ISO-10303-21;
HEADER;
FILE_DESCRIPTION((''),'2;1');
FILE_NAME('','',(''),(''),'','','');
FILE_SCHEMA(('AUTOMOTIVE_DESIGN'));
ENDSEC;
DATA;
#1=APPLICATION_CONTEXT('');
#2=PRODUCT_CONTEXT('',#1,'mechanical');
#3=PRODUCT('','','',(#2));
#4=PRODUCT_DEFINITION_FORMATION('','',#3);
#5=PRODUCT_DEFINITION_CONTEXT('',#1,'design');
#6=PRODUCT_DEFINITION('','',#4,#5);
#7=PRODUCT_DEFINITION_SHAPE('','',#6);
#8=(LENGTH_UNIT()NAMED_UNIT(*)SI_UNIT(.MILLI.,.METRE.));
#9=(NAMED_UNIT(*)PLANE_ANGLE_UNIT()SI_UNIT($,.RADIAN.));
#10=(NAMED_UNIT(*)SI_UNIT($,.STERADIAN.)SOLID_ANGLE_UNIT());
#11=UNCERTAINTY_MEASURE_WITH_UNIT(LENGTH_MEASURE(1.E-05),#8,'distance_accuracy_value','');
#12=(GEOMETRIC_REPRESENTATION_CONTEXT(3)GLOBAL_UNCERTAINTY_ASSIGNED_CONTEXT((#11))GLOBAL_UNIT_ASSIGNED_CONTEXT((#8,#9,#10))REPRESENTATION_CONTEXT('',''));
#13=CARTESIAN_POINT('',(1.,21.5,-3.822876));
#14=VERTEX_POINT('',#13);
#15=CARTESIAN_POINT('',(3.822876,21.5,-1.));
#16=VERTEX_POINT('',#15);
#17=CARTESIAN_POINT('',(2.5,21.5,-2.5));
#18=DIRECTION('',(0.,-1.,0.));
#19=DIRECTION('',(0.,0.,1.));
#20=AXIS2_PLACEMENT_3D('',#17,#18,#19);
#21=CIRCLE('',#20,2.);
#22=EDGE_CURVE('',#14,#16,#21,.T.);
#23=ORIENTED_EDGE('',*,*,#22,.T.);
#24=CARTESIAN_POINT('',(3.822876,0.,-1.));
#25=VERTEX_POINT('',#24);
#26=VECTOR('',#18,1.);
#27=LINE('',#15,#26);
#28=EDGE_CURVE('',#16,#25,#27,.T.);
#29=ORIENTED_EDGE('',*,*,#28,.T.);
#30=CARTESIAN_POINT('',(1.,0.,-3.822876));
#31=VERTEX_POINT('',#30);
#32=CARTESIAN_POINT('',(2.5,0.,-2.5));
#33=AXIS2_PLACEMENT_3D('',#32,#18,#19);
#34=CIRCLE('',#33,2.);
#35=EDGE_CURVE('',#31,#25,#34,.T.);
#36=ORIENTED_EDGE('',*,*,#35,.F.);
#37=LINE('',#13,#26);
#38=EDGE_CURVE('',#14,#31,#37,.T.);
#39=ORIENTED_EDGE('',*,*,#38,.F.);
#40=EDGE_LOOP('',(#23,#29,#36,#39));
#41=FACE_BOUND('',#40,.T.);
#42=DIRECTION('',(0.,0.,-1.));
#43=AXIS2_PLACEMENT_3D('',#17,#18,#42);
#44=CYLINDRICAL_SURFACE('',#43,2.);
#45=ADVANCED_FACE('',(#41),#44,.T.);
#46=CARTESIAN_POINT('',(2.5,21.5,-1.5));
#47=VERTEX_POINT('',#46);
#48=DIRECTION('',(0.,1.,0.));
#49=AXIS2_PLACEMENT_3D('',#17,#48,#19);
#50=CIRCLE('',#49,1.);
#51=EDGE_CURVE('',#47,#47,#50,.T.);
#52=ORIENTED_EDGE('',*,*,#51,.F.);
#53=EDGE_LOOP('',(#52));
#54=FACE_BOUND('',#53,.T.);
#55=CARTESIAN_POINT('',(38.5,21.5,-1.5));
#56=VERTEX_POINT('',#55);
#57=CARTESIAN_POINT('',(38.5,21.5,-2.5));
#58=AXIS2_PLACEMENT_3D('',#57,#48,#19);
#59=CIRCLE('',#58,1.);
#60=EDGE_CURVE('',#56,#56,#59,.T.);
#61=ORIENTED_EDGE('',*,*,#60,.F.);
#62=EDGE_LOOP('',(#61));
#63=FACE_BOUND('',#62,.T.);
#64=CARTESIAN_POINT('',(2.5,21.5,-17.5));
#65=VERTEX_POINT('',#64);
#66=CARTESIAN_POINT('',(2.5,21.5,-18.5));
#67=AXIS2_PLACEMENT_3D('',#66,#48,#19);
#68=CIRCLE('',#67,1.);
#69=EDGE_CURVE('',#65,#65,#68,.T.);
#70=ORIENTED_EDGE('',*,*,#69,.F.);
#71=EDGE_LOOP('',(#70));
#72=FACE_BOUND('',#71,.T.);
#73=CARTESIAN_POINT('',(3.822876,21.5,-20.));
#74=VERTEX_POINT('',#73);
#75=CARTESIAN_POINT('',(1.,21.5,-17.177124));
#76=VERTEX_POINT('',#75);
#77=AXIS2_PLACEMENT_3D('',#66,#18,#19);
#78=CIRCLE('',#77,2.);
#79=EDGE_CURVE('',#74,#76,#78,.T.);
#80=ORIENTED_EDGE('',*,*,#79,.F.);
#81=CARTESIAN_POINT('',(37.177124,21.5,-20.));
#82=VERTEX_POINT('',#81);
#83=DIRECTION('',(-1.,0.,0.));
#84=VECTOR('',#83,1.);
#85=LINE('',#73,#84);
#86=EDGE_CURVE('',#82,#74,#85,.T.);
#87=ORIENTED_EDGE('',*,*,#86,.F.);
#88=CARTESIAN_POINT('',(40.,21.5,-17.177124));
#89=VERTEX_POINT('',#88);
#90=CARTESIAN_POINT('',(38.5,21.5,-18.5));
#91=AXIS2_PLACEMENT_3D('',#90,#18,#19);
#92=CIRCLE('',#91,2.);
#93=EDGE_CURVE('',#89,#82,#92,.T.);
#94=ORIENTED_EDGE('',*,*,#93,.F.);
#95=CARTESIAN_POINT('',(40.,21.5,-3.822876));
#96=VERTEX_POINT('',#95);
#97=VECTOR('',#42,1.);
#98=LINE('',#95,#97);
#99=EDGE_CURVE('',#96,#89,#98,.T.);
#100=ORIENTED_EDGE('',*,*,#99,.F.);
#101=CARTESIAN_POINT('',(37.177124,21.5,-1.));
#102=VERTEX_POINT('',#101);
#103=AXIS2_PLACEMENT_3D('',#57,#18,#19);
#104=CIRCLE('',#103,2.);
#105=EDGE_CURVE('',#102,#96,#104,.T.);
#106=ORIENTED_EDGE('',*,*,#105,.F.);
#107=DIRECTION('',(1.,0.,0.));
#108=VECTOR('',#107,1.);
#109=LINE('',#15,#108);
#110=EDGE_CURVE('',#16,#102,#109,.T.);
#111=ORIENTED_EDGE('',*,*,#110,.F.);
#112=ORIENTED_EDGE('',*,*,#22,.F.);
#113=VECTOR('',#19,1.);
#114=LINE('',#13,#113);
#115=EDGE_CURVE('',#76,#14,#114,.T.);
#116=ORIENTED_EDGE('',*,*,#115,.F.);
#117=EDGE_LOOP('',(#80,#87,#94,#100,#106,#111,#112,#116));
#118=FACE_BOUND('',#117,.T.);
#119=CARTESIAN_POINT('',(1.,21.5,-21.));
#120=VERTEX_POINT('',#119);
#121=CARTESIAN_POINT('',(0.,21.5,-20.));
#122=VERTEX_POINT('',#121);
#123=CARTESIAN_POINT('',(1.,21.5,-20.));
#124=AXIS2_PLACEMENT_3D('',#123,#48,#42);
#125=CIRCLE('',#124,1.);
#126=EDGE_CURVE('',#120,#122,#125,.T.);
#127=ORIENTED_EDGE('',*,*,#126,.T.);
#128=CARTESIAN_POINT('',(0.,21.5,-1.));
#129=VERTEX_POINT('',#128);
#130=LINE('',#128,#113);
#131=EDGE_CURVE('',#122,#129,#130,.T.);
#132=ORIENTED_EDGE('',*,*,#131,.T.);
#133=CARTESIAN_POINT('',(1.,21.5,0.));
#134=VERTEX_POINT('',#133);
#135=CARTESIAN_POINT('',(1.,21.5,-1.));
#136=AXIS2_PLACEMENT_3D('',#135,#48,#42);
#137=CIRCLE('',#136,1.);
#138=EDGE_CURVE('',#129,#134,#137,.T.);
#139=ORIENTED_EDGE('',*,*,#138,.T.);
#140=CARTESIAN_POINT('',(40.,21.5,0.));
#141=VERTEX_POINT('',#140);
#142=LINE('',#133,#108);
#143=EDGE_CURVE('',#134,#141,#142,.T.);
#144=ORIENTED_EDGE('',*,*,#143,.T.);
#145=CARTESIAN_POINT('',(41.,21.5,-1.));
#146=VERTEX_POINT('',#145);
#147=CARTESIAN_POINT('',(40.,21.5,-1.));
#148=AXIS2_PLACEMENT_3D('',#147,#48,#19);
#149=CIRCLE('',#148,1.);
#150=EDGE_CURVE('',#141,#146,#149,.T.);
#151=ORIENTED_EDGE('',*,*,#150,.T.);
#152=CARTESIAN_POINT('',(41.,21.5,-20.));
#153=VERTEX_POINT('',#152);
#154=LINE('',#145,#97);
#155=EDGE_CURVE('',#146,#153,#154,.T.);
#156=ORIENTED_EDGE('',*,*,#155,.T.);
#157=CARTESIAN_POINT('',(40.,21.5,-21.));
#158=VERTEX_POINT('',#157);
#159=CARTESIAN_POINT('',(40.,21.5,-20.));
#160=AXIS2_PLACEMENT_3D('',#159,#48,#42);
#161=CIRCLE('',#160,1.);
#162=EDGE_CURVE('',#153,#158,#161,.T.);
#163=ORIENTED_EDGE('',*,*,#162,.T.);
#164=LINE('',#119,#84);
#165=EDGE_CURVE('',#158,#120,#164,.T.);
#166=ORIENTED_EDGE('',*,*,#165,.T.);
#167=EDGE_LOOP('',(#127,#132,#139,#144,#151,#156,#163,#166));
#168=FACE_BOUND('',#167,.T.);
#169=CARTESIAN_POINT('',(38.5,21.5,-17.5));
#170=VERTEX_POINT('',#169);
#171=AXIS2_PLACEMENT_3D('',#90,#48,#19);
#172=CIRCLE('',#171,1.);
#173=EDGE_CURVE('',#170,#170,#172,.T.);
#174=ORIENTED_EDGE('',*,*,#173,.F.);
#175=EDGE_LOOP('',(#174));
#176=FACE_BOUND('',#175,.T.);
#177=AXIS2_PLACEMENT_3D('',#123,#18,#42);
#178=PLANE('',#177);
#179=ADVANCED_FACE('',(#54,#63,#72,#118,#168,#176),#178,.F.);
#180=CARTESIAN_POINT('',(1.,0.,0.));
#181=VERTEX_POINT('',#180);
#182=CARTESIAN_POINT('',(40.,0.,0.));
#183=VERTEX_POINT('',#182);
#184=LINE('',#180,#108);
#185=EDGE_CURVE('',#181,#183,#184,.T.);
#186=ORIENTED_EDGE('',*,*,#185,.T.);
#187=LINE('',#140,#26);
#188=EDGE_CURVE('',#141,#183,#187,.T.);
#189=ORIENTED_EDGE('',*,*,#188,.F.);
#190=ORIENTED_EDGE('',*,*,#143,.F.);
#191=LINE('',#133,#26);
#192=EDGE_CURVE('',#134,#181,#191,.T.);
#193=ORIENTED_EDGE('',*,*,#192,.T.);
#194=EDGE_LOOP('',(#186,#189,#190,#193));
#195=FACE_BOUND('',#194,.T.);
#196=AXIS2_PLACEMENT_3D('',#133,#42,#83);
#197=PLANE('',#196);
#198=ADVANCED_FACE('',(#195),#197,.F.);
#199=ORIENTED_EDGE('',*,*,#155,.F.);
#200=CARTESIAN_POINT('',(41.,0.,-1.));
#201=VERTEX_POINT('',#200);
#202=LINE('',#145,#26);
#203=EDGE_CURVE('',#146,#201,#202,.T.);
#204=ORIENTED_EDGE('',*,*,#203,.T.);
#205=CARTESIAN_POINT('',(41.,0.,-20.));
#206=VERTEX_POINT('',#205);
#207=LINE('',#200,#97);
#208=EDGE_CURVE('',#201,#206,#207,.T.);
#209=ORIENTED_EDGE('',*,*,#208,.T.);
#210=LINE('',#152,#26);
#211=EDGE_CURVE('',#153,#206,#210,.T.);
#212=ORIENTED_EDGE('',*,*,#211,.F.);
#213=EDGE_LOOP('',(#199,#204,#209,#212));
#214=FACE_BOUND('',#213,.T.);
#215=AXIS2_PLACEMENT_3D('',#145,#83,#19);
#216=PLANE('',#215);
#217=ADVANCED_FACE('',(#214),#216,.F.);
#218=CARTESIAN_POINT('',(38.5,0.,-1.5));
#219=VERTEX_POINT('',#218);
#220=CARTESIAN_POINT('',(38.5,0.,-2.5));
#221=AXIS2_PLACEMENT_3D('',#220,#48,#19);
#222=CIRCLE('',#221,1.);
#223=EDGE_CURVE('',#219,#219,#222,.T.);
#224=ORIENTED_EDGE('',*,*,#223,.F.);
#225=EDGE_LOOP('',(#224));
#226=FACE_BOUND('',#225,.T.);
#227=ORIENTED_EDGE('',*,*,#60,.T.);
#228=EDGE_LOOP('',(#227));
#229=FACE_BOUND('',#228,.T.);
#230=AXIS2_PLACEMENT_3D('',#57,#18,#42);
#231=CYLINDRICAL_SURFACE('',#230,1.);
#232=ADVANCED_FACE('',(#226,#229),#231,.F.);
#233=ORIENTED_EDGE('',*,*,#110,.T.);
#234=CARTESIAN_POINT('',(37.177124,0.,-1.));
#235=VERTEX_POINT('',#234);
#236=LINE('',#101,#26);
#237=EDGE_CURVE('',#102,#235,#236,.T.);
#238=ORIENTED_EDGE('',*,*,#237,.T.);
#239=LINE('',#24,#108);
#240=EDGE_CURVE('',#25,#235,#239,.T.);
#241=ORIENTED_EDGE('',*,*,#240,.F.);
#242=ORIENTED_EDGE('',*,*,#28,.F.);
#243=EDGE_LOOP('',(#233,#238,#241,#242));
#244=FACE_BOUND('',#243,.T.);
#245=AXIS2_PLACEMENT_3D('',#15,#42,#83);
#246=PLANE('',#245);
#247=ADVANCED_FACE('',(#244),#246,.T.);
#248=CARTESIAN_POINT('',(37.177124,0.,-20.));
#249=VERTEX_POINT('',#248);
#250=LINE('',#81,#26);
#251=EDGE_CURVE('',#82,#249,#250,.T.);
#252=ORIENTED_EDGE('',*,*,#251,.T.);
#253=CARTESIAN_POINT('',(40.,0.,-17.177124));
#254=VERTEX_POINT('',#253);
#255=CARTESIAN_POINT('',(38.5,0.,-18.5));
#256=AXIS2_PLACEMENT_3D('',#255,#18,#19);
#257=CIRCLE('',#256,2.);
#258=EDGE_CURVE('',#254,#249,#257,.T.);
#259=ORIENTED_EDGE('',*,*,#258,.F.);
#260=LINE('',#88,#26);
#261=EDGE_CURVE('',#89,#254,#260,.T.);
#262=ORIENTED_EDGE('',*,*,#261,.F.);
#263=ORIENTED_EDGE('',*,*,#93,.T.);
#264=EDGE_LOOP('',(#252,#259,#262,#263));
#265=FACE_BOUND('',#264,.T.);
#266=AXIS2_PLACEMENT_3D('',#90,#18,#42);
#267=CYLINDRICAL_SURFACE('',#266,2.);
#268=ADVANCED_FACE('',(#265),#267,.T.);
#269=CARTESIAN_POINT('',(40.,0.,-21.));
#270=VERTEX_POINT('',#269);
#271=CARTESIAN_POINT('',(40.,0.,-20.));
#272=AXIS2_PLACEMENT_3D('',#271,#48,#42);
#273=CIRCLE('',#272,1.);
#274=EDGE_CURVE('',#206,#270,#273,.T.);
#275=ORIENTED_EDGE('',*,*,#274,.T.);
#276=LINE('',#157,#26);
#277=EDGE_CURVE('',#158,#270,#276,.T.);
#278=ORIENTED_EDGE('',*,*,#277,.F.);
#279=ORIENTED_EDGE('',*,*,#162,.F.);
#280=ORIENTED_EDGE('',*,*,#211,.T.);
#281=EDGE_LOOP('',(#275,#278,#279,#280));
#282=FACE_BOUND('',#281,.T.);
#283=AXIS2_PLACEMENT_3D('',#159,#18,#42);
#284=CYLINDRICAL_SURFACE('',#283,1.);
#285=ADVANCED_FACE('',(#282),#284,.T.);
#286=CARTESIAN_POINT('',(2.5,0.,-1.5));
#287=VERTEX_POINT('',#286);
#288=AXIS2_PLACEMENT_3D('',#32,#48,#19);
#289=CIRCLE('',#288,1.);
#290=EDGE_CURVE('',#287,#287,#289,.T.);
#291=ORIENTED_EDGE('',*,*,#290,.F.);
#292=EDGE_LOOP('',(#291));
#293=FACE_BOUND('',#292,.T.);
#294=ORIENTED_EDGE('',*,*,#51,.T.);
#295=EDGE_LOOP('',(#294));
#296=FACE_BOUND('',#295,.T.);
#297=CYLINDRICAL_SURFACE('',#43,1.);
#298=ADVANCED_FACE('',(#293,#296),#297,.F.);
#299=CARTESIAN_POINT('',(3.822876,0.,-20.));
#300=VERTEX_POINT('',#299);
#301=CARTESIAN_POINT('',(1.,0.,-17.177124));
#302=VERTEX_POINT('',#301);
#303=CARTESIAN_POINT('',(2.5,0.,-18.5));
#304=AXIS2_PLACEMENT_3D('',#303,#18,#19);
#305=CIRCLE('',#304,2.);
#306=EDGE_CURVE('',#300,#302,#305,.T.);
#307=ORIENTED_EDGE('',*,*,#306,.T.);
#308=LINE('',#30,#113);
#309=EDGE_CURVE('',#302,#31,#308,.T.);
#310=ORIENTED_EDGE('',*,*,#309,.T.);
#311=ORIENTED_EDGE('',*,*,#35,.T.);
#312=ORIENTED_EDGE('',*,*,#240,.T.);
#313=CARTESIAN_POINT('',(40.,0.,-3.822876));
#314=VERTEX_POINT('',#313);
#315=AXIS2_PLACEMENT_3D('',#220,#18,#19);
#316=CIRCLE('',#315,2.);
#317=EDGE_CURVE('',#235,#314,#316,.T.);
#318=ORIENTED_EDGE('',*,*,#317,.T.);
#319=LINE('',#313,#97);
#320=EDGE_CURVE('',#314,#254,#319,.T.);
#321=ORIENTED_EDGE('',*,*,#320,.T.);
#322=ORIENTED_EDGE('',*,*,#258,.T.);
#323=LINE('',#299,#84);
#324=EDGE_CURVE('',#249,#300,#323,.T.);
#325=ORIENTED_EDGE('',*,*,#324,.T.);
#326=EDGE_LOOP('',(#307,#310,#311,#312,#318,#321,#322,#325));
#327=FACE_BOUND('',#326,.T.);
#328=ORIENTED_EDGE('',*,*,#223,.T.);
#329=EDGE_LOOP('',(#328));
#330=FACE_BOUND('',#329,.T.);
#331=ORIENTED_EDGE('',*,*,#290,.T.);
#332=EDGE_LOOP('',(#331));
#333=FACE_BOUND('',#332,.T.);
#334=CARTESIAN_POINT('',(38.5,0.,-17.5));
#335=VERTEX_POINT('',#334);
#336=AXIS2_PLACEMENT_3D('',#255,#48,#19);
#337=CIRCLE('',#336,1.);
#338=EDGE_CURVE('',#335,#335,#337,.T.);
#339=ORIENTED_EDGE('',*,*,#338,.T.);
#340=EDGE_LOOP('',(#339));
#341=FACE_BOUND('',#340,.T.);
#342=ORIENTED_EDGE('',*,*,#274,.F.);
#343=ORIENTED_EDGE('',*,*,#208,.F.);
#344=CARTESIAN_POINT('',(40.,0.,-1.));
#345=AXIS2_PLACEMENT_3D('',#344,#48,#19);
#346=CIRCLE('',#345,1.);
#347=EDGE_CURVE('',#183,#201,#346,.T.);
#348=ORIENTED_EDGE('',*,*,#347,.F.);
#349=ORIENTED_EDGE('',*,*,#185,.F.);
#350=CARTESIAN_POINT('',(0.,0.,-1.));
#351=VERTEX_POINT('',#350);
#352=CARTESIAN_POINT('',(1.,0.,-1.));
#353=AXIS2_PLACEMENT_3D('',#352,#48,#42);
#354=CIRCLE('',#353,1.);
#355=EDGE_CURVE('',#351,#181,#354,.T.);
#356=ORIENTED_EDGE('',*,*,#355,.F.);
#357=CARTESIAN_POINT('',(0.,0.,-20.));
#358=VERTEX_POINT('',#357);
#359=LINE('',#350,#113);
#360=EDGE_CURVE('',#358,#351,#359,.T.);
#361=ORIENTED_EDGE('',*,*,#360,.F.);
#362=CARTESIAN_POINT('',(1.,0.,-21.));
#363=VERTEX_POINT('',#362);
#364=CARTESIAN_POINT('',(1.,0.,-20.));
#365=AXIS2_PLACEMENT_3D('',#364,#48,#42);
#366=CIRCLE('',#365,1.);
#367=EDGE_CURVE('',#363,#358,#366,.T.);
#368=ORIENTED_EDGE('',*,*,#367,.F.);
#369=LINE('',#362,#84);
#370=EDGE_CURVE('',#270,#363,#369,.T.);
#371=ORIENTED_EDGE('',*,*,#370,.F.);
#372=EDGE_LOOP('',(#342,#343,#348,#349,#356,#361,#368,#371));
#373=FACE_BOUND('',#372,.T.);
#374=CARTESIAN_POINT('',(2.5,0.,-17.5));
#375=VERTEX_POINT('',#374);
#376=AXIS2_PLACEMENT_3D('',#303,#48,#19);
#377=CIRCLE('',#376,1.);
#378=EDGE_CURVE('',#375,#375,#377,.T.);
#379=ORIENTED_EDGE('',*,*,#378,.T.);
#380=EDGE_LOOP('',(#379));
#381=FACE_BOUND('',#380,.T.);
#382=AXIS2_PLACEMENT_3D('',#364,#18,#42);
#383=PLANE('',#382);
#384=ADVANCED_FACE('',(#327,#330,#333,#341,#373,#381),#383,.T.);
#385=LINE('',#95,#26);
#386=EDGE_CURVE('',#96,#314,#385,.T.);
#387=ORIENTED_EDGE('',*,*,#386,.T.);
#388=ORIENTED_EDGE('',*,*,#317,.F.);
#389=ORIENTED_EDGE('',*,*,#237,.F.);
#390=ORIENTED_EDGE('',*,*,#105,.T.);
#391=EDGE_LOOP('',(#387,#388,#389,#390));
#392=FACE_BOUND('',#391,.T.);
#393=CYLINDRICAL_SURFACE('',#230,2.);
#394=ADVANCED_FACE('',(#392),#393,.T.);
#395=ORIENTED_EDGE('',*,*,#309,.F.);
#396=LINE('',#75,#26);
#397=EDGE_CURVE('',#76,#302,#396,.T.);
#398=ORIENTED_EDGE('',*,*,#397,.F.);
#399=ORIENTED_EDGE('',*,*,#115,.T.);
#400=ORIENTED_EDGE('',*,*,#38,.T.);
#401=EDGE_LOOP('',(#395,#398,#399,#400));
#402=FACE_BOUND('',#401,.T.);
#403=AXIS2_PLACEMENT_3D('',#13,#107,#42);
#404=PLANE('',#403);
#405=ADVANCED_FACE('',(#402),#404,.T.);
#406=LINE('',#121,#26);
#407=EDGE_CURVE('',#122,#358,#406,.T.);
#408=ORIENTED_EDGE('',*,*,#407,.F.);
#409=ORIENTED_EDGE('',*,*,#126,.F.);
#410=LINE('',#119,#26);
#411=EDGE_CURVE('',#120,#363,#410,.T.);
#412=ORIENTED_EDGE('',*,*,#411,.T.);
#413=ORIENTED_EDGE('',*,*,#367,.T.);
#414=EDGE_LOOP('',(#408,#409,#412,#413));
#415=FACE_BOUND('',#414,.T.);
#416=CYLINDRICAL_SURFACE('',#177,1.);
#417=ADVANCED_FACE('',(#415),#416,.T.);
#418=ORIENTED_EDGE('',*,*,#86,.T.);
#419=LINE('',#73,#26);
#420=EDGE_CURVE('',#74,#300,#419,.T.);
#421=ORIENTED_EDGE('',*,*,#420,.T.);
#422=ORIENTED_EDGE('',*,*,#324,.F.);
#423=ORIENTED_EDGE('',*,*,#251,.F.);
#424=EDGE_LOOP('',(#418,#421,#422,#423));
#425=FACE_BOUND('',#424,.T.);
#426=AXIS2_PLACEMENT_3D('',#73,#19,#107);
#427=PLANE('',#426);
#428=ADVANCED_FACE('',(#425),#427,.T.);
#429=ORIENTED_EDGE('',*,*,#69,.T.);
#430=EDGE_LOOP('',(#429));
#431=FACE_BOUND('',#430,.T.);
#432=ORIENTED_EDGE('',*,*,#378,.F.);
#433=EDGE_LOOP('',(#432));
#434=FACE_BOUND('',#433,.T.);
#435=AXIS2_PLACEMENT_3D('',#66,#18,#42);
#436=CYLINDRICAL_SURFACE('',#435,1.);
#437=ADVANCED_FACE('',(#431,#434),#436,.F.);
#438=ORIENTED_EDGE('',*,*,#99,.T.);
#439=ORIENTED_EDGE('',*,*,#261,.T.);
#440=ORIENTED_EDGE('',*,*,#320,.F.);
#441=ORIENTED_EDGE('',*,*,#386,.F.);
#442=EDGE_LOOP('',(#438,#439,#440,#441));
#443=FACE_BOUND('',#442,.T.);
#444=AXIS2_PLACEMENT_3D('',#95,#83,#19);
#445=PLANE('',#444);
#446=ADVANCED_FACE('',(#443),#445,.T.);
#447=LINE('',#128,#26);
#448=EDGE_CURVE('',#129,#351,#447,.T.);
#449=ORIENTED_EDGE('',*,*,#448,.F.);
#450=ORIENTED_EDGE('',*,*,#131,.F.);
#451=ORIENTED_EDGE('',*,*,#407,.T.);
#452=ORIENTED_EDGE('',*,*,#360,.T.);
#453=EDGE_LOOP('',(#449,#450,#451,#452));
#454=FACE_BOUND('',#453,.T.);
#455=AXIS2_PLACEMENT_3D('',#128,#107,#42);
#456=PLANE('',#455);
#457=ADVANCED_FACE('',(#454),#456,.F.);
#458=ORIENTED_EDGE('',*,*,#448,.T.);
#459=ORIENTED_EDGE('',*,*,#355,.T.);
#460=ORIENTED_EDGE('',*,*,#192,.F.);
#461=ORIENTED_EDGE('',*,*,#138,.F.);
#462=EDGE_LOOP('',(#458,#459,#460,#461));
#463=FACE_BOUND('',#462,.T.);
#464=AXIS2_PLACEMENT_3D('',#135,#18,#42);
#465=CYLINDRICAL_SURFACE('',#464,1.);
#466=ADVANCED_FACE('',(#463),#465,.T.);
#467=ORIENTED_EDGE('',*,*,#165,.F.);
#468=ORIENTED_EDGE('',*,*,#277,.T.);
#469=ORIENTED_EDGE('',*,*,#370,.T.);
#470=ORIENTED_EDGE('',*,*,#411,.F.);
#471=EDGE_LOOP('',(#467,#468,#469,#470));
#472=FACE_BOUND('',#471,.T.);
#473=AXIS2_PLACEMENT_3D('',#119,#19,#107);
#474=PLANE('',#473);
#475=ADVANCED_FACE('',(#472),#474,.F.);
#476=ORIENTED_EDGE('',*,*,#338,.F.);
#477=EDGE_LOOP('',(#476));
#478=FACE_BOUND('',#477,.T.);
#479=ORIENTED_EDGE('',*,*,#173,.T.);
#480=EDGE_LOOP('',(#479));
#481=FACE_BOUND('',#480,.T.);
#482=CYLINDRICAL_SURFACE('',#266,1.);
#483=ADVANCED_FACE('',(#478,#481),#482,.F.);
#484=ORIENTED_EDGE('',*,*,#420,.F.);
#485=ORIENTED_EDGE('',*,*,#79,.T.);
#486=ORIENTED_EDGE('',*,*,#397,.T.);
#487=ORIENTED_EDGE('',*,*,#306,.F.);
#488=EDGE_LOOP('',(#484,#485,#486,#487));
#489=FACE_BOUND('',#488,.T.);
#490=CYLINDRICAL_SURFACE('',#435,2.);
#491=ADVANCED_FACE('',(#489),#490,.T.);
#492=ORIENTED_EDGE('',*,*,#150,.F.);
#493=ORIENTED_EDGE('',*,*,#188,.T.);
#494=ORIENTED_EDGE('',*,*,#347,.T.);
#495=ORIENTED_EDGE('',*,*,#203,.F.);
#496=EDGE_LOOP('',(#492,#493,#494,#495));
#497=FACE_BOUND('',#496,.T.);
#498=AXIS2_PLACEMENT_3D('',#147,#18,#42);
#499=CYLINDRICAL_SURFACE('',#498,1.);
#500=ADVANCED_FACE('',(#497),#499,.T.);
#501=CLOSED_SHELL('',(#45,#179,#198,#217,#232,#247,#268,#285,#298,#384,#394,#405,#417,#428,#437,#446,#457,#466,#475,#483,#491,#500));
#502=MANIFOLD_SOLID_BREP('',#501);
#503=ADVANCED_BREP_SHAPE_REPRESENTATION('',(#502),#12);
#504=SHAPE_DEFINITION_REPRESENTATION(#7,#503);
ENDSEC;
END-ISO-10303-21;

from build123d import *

# Parameters (mm, degrees)
ESQUISSE1_R        = 1
BOSS_EXTRU_1_DEPTH = 21.5


with BuildPart() as part:
    # Esquisse1 → Boss.-Extru.1 (new body)
    with BuildSketch(Plane(origin=(0, 0, 0), x_dir=(1, 0, 0), z_dir=(0, 1, 0))):
        with BuildLine():
            Line((1, 0), (40, 0))
            ThreePointArc((40, 0), (40.707106781, 0.292893219), (41, 1))
            Line((41, 1), (41, 20))
            ThreePointArc((41, 20), (40.707106781, 20.707106781), (40, 21))
            Line((40, 21), (1, 21))
            ThreePointArc((1, 21), (0.292893219, 20.707106781), (0, 20))
            Line((0, 20), (0, 1))
            ThreePointArc((0, 1), (0.292893219, 0.292893219), (1, 0))
        make_face()
        with Locations(Location((2.5, 18.5, 0), (0, 0, 270))):
            Circle(ESQUISSE1_R, mode=Mode.SUBTRACT)
        with Locations(Location((38.5, 18.5, 0), (0, 0, 270))):
            Circle(ESQUISSE1_R, mode=Mode.SUBTRACT)
        with Locations(Location((38.5, 2.5, 0), (0, 0, 270))):
            Circle(ESQUISSE1_R, mode=Mode.SUBTRACT)
        with Locations(Location((2.5, 2.5, 0), (0, 0, 270))):
            Circle(ESQUISSE1_R, mode=Mode.SUBTRACT)
        with BuildLine():
            Line((3.822875656, 20), (37.177124344, 20))
            ThreePointArc((37.177124344, 20), (37.085786438, 17.085786438), (40, 17.177124344))
            Line((40, 17.177124344), (40, 3.822875656))
            ThreePointArc((40, 3.822875656), (37.085786438, 3.914213562), (37.177124344, 1))
            Line((37.177124344, 1), (3.822875656, 1))
            ThreePointArc((3.822875656, 1), (3.914213562, 3.914213562), (1, 3.822875656))
            Line((1, 3.822875656), (1, 17.177124344))
            ThreePointArc((1, 17.177124344), (3.914213562, 17.085786438), (3.822875656, 20))
        make_face(mode=Mode.SUBTRACT)
    extrude(amount=BOSS_EXTRU_1_DEPTH)


solid = part.part
